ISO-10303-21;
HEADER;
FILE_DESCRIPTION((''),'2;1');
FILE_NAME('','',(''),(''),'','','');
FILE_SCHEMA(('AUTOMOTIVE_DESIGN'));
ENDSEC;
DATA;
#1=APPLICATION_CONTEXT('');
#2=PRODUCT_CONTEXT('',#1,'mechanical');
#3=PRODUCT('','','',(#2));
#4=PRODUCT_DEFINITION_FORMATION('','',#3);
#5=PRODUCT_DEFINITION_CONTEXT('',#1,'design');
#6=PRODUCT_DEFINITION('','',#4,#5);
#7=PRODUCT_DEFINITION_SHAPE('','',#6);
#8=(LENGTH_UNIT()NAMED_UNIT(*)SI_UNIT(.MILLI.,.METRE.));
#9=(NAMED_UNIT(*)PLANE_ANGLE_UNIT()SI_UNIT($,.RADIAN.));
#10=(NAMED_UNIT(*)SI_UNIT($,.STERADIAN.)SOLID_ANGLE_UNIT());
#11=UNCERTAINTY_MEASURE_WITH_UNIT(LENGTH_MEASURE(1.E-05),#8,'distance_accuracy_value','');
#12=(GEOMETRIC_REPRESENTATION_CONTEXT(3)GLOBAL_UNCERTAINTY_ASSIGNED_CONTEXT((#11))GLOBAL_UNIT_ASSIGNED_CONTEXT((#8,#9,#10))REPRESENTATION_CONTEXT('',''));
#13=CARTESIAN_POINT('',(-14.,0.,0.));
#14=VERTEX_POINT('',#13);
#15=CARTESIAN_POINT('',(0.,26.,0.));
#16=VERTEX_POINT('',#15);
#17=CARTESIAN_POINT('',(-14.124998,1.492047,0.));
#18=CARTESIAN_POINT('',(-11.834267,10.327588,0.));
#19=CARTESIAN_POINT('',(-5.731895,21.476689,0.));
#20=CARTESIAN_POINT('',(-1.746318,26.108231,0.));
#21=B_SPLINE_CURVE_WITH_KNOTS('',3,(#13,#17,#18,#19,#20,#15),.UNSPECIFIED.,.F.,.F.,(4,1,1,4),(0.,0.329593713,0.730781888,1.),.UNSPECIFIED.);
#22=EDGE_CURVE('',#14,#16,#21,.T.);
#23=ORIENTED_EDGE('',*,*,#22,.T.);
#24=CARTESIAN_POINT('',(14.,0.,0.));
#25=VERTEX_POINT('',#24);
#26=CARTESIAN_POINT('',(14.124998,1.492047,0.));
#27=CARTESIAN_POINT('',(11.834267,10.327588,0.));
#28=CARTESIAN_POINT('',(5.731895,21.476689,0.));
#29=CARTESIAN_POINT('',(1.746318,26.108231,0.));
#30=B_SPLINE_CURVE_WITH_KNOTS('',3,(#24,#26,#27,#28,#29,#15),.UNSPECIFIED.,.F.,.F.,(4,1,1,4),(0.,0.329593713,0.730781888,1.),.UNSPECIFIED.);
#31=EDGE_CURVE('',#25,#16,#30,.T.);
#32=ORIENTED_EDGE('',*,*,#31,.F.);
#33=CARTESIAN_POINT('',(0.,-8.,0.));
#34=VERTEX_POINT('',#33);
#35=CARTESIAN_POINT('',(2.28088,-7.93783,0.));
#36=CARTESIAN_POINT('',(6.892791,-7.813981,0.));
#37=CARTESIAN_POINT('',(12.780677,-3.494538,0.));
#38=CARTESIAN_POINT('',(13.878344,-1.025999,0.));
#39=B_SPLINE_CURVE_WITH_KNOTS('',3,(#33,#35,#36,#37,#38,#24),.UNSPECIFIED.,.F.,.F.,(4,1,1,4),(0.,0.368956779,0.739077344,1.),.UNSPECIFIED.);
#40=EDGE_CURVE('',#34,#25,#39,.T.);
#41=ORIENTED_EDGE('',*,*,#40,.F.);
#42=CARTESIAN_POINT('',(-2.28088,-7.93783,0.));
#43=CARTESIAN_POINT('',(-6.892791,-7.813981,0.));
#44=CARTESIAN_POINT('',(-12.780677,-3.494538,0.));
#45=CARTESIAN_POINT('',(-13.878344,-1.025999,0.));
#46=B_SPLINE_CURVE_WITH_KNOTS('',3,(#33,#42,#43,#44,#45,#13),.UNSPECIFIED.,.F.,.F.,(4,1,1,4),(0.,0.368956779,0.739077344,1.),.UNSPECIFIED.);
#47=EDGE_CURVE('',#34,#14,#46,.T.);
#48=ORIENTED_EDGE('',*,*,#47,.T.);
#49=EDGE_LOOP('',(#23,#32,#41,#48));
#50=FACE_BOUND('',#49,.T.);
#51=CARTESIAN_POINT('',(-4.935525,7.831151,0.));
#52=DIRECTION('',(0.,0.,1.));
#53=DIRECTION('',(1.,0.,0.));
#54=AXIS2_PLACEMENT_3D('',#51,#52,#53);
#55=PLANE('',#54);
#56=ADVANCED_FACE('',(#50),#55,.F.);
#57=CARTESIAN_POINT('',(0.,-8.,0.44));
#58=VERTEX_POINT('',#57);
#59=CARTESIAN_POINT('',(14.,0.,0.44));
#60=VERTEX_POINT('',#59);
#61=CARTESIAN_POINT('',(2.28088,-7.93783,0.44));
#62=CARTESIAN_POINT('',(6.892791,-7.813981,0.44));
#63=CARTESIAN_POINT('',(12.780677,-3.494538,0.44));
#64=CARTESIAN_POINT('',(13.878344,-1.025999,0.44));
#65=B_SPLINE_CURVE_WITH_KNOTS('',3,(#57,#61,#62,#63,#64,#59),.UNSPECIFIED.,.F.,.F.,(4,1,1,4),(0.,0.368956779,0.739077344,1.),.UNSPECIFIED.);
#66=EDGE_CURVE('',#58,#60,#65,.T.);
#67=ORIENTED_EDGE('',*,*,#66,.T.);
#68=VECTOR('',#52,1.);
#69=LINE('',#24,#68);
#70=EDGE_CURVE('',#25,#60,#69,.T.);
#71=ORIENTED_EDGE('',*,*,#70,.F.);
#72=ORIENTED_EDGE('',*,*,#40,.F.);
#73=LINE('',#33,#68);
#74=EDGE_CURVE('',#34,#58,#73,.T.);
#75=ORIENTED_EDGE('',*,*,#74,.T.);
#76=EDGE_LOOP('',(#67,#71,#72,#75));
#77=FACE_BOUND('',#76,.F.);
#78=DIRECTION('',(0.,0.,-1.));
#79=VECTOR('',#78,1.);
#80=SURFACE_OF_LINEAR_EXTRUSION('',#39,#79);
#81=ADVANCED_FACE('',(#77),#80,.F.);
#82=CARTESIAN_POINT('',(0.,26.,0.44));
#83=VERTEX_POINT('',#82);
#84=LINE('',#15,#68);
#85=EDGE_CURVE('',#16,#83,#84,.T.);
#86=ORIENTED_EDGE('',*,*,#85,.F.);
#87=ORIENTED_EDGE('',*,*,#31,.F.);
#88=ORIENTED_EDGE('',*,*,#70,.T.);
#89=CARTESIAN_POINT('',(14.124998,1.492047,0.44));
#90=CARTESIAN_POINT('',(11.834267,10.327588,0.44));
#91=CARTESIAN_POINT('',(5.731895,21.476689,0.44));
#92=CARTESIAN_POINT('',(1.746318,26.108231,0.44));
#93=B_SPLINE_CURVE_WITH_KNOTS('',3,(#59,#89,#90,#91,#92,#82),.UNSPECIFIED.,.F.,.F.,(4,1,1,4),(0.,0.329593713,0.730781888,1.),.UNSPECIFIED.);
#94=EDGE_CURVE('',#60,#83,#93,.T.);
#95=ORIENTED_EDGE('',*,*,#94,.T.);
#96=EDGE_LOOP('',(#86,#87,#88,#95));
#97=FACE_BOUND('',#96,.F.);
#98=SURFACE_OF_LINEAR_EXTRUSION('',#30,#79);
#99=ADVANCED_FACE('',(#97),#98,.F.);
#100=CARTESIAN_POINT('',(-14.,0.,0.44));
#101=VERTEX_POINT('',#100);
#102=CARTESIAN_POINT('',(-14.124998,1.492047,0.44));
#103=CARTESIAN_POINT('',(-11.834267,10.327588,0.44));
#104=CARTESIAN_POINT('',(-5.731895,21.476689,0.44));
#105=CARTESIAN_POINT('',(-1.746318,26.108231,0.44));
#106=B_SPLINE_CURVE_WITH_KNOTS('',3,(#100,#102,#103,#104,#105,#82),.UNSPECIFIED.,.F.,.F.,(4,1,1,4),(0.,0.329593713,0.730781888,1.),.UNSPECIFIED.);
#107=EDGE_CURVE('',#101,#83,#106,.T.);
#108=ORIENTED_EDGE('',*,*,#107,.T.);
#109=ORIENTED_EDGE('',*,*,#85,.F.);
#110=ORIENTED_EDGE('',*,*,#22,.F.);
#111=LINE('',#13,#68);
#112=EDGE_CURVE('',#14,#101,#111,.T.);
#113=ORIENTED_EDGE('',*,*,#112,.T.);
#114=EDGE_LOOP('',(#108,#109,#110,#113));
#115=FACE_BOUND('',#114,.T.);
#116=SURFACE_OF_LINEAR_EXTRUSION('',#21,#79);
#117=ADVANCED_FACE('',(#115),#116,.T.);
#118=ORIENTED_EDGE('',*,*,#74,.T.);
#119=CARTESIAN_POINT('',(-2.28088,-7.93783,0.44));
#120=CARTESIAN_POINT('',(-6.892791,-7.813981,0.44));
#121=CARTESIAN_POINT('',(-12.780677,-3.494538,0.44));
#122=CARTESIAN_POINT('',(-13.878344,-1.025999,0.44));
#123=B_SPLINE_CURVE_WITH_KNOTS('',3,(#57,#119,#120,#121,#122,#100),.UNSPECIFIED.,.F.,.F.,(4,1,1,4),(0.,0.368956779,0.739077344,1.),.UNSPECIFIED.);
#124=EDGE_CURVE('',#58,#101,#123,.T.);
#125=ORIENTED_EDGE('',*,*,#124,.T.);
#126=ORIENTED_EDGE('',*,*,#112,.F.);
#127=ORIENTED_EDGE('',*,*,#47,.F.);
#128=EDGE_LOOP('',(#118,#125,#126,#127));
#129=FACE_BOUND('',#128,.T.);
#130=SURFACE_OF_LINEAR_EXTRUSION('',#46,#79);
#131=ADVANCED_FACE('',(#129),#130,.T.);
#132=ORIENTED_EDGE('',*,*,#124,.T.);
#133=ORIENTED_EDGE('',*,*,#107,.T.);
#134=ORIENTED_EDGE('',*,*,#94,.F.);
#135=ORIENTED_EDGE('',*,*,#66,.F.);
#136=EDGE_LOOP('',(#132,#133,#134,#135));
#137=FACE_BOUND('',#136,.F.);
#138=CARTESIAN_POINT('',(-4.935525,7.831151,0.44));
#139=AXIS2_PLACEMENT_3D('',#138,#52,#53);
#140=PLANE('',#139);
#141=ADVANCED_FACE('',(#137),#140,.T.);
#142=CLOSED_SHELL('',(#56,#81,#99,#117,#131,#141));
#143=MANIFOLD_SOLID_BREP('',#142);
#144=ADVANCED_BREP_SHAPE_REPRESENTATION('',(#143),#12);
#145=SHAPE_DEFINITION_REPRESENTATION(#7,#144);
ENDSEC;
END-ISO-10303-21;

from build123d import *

# Parameters (mm, degrees)
F1_DEPTH = 0.44


with BuildPart() as f1:
    # F0 (on Top) → F1 (new body)
    with BuildSketch(Plane.XY):
        with BuildLine():
            Line((0, 26), (0, 0))
            Line((0, 0), (0, -8))
            add(Edge.make_bspline(
                [(0, -8), (2.2808804072, -7.9378300476), (6.8927909358, -7.8139808089), (12.7806773832, -3.4945379032), (13.8783436269, -1.0259986157), (14, 0)],
                knots=[0, 0, 0, 0, 0.368956779, 0.7390773442, 1, 1, 1, 1], degree=3))
            add(Edge.make_bspline(
                [(14, 0), (14.1249978915, 1.4920468675), (11.8342673046, 10.3275879573), (5.7318946481, 21.4766891051), (1.7463180469, 26.108231492), (0, 26)],
                knots=[0, 0, 0, 0, 0.3295937127, 0.730781888, 1, 1, 1, 1], degree=3))
        make_face()
    extrude(amount=F1_DEPTH)

    # F2: F1 across plane


with BuildPart() as f1_1:
    add(f1.part)
    add(f1.part.mirror(Plane.YZ))


solid = f1_1.part
